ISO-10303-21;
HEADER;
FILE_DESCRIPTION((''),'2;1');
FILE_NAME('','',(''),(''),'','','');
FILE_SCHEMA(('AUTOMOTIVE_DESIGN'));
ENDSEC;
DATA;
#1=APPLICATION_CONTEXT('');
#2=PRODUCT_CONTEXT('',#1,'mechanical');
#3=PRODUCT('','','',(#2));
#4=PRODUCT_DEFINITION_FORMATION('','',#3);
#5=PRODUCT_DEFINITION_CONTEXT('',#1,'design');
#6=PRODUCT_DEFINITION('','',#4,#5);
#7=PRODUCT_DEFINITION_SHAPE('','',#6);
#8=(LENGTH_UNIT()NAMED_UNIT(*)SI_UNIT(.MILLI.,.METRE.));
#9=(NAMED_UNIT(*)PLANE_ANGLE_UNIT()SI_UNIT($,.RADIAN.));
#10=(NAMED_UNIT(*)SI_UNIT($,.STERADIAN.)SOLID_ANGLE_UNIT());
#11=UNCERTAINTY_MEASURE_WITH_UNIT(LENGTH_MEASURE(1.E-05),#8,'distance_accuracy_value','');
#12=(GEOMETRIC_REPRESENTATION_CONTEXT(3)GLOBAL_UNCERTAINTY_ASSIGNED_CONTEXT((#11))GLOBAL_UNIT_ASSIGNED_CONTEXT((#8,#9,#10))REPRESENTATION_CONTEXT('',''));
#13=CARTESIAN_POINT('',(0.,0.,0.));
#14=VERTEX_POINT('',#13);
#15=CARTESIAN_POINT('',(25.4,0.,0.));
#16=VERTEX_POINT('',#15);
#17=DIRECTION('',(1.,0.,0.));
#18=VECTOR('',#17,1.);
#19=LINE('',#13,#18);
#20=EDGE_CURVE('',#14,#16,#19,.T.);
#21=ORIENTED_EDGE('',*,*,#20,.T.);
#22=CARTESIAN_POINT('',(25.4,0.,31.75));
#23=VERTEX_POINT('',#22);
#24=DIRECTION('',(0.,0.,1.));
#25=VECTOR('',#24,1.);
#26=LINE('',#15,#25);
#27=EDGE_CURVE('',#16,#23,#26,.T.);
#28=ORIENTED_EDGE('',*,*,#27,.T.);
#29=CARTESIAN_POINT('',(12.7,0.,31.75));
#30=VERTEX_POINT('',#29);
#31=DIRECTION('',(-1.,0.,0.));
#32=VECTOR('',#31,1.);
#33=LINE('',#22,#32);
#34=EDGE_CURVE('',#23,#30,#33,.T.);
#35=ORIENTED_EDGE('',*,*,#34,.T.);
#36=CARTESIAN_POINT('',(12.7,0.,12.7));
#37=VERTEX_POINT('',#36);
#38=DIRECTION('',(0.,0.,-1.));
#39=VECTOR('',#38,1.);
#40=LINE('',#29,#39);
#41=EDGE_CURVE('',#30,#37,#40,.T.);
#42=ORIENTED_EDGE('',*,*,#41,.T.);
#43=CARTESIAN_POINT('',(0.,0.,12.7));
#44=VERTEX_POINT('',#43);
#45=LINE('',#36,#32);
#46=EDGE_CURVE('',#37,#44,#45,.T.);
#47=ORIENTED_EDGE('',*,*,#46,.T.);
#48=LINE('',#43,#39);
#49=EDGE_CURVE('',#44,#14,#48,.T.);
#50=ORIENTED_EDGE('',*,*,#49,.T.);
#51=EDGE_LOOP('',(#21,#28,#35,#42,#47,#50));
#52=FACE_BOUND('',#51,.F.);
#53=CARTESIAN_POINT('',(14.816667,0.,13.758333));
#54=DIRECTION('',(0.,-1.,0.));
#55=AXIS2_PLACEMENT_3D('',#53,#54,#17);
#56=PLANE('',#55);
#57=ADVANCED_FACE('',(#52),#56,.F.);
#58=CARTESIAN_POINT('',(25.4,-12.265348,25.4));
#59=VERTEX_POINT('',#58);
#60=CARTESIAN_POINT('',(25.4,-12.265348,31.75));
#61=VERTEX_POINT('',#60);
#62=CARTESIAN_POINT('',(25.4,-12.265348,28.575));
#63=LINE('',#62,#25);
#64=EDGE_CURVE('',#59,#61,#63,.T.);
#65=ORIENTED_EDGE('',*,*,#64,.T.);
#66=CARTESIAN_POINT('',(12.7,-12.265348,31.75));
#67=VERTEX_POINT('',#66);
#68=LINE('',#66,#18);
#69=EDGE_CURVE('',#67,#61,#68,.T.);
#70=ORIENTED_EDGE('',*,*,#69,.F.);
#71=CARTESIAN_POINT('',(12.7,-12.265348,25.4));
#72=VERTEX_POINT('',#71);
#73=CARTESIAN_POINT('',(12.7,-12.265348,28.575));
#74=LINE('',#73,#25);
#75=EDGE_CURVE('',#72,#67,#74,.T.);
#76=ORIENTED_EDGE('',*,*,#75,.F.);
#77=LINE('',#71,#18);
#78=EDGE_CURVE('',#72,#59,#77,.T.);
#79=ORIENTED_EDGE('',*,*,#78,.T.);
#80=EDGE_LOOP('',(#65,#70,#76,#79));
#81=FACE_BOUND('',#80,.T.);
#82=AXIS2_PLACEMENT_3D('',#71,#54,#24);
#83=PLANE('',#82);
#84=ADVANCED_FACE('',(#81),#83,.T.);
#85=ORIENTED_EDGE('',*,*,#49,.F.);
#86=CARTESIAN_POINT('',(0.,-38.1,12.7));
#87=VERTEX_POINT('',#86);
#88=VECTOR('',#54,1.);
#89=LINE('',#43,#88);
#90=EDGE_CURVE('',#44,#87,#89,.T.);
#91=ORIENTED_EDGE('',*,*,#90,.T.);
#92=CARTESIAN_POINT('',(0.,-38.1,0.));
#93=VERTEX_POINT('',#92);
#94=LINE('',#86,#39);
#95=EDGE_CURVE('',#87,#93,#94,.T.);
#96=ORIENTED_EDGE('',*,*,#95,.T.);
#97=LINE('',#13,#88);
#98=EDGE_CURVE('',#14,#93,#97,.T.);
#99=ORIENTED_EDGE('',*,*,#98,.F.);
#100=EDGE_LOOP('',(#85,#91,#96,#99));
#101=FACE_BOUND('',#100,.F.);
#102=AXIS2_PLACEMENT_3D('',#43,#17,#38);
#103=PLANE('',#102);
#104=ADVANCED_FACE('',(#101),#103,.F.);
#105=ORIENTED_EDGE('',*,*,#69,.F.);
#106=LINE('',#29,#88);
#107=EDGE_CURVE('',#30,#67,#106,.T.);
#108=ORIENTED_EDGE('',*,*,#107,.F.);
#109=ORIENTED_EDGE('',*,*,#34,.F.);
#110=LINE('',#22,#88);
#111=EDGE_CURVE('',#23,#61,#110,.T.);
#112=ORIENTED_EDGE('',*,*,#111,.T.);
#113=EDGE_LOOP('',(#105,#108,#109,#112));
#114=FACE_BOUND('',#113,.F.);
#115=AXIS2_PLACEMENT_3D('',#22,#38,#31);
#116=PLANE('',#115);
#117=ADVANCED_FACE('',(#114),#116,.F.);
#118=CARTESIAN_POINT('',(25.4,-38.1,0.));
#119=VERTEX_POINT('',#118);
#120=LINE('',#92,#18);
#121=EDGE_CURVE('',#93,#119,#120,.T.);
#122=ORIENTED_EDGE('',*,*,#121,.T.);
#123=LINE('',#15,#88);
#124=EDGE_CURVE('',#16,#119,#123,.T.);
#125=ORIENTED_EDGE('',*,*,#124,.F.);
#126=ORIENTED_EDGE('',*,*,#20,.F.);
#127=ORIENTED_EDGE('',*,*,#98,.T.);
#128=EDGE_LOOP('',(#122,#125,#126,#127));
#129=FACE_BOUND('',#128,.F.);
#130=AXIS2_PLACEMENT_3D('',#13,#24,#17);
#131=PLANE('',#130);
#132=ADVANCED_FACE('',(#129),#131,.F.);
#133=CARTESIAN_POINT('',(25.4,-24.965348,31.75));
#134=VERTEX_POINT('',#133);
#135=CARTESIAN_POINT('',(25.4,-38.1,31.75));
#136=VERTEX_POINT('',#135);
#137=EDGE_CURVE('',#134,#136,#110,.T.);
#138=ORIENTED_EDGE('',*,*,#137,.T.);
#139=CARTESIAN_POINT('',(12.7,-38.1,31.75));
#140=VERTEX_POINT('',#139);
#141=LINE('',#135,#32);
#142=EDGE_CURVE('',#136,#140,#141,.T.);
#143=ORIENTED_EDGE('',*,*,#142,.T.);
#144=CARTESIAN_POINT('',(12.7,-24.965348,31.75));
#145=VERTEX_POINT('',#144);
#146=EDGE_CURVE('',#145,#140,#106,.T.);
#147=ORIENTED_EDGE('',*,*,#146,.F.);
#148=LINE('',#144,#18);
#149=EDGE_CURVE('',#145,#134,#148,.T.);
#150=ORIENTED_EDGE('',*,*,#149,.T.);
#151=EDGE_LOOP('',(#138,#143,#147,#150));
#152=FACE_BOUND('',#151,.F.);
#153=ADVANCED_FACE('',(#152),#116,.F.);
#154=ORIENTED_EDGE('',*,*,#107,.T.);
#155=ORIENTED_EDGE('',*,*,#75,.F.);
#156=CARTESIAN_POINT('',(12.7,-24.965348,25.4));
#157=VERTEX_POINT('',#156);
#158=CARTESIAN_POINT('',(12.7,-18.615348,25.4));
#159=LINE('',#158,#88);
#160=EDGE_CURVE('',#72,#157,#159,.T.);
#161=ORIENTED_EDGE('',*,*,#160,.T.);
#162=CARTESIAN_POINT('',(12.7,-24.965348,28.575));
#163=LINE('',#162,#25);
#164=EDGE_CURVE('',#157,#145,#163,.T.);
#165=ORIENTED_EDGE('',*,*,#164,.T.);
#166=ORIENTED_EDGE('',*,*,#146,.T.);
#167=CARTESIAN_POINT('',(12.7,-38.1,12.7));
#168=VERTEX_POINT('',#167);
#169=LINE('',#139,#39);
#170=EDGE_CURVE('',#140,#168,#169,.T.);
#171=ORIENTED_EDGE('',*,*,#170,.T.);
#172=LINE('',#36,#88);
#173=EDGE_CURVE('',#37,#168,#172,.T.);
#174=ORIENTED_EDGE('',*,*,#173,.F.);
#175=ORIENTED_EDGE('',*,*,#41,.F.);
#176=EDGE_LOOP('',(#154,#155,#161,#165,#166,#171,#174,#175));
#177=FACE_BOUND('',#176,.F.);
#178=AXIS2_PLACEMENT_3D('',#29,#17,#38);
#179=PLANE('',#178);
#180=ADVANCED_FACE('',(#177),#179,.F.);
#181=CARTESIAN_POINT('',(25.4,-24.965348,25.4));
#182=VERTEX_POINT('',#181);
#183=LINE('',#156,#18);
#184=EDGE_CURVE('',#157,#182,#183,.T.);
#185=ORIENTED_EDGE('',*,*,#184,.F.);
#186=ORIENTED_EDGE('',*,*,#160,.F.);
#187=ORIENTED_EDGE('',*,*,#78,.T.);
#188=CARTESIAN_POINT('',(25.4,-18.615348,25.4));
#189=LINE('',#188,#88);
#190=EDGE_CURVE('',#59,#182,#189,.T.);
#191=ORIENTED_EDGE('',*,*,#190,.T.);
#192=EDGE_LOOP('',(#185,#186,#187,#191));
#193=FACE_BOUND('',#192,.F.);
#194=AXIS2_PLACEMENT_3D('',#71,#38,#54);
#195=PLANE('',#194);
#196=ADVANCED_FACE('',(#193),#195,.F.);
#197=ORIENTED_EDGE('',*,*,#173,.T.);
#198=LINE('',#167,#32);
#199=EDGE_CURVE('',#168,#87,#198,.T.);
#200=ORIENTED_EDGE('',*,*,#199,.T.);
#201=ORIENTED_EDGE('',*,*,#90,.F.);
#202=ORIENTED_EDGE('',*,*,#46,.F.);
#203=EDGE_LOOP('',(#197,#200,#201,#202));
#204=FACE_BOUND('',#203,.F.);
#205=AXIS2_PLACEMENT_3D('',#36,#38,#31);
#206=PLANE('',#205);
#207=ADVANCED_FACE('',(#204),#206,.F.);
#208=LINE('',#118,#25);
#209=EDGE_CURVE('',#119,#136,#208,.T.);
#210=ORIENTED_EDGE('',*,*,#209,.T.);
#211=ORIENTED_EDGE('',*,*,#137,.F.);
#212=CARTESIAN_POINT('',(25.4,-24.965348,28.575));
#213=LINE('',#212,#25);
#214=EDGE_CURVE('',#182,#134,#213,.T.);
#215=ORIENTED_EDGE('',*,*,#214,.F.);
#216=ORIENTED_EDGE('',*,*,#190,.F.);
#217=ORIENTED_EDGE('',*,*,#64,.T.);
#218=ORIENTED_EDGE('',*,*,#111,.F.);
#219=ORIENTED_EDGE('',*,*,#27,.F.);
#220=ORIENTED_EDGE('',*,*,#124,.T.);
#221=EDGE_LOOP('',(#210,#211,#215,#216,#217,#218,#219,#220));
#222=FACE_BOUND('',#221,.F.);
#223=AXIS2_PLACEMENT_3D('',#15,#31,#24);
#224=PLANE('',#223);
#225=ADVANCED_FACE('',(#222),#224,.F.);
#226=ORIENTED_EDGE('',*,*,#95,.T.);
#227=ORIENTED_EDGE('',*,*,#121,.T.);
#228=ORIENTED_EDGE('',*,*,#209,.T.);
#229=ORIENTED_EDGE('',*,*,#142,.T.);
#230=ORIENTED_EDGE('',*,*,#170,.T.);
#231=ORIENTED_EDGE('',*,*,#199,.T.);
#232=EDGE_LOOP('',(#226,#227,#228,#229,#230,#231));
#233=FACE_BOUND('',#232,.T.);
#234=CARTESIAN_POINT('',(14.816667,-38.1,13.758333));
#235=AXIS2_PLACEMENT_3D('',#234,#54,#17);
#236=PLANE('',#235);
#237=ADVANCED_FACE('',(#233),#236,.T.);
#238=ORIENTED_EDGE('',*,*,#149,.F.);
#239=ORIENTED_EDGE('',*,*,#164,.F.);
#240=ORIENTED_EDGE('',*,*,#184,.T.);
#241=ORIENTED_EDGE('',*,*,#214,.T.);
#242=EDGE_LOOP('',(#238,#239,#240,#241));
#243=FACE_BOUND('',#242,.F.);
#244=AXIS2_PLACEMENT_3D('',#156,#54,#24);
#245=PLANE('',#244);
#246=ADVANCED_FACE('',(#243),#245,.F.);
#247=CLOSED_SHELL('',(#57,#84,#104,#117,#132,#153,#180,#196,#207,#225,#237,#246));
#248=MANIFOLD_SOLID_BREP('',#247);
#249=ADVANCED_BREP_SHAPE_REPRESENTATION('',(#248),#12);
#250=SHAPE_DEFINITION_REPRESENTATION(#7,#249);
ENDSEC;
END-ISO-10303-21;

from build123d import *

# Parameters (mm, degrees)
F1_DEPTH = 38.1
F2_W     = 12.7
F2_H     = 6.35
F3_DEPTH = 12.7


with BuildPart() as f1:
    # F0 (on Front) → F1 (new body)
    with BuildSketch(Plane.XZ):
        Polygon((0, 12.7), (0, 0), (25.4, 0), (25.4, 31.75), (12.7, 31.75), (12.7, 12.7), align=None)
    extrude(amount=F1_DEPTH)

    # F2 (on face) → F3 (cut)
    with BuildSketch(Plane(origin=(12.7, 0, 0), x_dir=(0, -1, 0), z_dir=(-1, 0, 0))):
        with Locations((18.615348, 28.575)):
            Rectangle(F2_W, F2_H)
    extrude(amount=-F3_DEPTH, mode=Mode.SUBTRACT)


solid = f1.part
